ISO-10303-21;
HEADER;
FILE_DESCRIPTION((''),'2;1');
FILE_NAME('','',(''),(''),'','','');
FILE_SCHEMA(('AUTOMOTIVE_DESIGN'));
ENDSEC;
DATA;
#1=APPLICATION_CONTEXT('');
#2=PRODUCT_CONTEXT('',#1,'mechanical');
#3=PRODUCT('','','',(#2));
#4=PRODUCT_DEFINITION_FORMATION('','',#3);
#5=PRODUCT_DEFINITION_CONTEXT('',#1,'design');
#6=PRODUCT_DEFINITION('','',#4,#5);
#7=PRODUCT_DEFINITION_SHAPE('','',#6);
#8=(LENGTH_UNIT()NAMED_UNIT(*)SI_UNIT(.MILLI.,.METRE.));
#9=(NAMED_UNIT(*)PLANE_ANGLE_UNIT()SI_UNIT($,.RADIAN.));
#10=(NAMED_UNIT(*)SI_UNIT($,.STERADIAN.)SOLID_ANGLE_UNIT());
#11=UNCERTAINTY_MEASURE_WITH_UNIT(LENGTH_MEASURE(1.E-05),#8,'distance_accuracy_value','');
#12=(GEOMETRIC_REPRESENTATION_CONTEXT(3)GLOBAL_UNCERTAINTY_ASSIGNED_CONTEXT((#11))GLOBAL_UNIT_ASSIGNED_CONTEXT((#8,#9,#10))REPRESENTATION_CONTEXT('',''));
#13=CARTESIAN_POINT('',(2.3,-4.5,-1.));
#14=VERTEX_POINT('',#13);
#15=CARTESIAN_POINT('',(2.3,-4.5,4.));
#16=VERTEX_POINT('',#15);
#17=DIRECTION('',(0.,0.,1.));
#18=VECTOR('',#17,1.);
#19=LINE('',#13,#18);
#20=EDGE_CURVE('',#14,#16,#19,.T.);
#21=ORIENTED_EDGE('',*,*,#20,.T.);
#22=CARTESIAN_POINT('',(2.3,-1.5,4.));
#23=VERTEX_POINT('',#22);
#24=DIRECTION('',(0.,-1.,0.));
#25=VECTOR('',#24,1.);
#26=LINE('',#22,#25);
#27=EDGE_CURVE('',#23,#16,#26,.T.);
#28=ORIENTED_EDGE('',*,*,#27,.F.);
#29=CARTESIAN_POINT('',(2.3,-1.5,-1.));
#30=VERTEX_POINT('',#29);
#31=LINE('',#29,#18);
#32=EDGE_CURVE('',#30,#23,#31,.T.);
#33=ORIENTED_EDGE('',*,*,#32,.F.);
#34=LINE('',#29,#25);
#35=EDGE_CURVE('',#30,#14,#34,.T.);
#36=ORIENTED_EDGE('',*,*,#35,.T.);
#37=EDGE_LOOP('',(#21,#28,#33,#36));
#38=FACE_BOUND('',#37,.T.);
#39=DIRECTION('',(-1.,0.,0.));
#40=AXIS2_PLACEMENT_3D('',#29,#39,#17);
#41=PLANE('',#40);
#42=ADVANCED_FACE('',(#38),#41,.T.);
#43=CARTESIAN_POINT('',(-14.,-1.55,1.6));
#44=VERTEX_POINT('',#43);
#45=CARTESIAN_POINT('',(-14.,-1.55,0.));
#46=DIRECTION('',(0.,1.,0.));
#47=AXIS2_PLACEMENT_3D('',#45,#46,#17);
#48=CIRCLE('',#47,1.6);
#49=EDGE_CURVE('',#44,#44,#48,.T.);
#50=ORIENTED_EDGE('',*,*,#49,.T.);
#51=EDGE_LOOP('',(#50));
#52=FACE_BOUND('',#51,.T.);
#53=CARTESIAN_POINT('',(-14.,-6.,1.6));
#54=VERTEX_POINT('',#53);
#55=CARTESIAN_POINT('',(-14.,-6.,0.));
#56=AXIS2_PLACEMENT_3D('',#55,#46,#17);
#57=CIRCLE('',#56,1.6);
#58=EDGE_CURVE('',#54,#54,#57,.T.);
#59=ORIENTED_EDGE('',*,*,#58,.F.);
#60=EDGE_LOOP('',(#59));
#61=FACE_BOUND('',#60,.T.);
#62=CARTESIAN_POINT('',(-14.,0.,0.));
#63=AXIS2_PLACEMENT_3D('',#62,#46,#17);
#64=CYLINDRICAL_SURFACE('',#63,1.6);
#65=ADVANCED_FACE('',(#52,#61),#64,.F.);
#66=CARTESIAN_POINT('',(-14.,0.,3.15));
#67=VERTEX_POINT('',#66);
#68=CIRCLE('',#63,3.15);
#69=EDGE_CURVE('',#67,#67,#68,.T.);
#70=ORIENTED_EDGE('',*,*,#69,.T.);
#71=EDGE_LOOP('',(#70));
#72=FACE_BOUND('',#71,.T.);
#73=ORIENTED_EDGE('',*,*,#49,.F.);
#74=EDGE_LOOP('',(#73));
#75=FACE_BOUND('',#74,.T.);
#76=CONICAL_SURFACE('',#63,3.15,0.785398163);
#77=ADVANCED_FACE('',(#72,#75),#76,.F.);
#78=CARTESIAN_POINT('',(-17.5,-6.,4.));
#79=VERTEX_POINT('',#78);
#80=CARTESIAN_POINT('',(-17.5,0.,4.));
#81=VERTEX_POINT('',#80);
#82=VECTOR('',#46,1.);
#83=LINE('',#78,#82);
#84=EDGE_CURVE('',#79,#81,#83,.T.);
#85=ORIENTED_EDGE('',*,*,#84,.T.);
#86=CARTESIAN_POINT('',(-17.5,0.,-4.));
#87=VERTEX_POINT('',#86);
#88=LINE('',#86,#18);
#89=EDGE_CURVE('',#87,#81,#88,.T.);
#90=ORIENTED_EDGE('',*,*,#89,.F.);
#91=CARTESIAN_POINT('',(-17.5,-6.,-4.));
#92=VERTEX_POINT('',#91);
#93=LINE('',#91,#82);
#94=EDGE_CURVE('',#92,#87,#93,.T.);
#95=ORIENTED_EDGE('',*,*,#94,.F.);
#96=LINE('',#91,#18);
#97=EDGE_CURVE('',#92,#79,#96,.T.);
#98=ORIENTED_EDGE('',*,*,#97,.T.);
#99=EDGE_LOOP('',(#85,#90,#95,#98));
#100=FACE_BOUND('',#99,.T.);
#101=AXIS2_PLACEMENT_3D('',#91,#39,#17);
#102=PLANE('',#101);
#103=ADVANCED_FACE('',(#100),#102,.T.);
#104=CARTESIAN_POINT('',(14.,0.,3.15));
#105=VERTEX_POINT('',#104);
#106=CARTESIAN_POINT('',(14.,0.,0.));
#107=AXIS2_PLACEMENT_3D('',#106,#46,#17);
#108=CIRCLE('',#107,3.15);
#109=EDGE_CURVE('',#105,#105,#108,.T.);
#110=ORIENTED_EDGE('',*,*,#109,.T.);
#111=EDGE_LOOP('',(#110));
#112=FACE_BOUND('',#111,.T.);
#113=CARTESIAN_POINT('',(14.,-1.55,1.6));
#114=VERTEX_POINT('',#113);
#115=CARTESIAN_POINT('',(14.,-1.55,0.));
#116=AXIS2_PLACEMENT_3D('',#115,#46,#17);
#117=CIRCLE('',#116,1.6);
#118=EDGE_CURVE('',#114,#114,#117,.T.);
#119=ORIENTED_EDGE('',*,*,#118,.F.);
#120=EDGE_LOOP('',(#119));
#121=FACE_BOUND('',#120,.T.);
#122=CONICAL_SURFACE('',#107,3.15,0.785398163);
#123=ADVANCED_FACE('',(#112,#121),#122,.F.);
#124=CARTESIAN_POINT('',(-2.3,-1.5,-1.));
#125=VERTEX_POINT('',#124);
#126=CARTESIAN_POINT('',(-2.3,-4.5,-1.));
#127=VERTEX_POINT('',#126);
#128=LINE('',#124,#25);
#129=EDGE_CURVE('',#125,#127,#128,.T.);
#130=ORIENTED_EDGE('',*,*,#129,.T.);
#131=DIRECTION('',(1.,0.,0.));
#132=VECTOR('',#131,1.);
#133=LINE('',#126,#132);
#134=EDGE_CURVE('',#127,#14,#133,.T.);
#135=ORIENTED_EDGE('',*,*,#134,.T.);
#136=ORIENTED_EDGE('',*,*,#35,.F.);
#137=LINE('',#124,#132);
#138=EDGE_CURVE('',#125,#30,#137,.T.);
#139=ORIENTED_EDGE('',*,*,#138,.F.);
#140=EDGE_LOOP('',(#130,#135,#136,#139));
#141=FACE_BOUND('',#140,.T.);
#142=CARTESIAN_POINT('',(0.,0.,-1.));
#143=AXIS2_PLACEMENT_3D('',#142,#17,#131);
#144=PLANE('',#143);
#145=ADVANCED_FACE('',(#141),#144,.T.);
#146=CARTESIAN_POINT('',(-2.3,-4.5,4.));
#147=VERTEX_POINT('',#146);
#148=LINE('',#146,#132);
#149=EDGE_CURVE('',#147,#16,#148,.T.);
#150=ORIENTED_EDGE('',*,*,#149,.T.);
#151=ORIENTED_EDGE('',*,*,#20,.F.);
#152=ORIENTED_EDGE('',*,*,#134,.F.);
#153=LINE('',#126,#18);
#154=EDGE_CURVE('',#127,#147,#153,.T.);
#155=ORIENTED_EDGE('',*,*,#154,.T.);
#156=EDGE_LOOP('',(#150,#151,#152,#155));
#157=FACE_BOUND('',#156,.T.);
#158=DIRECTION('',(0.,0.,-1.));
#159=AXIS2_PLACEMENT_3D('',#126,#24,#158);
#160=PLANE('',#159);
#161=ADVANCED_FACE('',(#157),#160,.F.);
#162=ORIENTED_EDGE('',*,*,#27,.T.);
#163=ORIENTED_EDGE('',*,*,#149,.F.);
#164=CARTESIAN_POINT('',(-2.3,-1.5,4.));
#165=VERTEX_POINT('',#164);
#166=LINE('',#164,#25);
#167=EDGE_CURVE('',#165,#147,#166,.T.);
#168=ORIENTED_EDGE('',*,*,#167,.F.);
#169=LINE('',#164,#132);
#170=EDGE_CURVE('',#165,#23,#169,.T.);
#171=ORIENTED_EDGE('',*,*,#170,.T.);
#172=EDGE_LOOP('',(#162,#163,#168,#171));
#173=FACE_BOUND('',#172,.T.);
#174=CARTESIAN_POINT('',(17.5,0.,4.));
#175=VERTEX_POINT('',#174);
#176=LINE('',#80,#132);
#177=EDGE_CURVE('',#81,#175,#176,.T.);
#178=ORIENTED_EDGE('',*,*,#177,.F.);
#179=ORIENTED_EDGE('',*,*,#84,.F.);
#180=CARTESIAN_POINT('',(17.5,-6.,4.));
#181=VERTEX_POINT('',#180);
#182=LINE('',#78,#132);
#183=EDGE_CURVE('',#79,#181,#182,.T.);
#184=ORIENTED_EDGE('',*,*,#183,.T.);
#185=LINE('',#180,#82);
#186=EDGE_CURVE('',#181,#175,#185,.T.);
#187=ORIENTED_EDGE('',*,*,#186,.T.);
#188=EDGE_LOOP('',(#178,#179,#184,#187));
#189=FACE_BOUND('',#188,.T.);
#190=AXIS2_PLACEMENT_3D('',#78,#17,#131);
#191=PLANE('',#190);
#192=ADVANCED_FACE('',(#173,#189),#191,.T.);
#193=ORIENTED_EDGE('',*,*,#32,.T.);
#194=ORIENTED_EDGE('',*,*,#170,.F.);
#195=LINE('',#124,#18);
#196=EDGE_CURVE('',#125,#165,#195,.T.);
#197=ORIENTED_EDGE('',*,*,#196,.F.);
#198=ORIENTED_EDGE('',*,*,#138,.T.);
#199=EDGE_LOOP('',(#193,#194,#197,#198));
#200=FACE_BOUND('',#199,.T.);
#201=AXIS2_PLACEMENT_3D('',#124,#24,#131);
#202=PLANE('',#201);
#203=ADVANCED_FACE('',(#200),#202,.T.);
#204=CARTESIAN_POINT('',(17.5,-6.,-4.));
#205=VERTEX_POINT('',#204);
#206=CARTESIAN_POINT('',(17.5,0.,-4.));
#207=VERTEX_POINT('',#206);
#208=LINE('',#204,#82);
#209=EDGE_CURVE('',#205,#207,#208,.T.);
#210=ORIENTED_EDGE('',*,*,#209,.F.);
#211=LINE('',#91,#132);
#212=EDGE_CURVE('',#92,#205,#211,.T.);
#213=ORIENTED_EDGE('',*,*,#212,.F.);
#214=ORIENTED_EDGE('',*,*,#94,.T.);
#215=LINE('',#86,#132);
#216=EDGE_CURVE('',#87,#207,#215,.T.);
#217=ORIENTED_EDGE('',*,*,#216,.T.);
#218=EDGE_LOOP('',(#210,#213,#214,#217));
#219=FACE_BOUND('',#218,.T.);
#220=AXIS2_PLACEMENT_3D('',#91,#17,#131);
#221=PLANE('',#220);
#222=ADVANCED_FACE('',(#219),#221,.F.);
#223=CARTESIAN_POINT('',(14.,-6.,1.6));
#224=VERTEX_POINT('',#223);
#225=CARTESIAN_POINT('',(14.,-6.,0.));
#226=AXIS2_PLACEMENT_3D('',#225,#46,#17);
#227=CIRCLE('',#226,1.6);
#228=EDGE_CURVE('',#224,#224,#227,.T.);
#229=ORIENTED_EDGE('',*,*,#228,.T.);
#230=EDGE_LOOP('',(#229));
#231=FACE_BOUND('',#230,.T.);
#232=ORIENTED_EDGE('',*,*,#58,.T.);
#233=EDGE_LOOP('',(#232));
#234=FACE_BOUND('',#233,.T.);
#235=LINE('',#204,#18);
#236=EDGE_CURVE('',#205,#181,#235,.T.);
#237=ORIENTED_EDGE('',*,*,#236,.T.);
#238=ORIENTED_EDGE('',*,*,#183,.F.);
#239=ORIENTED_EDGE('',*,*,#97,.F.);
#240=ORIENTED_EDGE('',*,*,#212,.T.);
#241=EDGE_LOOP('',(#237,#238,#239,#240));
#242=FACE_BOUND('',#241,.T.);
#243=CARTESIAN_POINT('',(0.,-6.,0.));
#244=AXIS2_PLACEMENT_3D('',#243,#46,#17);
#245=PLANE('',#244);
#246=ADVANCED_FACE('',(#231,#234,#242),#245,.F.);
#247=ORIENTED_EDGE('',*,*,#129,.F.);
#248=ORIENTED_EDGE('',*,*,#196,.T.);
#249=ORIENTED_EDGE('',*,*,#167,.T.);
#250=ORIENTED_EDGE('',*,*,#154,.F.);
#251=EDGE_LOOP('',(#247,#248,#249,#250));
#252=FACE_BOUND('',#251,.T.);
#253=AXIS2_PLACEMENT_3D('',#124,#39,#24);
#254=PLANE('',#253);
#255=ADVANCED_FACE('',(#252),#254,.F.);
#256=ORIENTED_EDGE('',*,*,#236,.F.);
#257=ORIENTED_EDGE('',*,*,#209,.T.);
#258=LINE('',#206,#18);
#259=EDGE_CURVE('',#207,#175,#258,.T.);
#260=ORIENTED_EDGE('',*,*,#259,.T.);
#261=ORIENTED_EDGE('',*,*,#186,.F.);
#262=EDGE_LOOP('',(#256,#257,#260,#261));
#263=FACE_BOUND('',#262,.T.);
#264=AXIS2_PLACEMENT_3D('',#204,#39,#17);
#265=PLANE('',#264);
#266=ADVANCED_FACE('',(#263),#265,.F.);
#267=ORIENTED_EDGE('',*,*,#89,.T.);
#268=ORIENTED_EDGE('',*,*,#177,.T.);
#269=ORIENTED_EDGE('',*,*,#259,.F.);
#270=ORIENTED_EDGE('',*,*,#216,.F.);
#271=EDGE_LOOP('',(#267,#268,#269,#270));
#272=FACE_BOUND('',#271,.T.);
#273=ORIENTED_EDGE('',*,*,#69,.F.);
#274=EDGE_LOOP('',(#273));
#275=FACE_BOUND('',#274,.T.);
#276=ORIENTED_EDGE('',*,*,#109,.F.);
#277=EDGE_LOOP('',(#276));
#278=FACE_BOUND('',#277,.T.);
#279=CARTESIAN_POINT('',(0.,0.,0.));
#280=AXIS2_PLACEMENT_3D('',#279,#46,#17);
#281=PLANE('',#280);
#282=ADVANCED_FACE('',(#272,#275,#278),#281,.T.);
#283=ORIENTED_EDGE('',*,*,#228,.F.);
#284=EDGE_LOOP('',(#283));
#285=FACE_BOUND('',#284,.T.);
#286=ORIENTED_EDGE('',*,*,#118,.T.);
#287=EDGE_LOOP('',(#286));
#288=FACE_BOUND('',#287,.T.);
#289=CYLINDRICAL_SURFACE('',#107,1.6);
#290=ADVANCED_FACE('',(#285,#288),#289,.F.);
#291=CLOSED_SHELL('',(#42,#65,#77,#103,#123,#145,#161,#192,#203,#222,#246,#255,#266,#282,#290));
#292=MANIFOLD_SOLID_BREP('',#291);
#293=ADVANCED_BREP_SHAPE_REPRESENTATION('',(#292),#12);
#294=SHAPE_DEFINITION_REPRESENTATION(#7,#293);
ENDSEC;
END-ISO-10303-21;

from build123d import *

# Parameters (mm, degrees)
SKETCH1_W                                       = 35
SKETCH1_H                                       = 8
BOSS_EXTRUDE1_DEPTH                             = 6
SKETCH2_W                                       = 4.6
SKETCH2_H                                       = 3
CUT_EXTRUDE1_DEPTH                              = 5
CSK_FOR_M3_FLAT_HEAD_MACHINE_SCREW1_D           = 3.2
CSK_FOR_M3_FLAT_HEAD_MACHINE_SCREW1_CSINK_D     = 6.3
CSK_FOR_M3_FLAT_HEAD_MACHINE_SCREW1_CSINK_ANGLE = 90


with BuildPart() as part:
    # Sketch1 → Boss-Extrude1 (new body)
    with BuildSketch(Plane(origin=(0, 0, 0), x_dir=(1, 0, 0), z_dir=(0, 1, 0))):
        Rectangle(SKETCH1_W, SKETCH1_H)
    extrude(amount=-BOSS_EXTRUDE1_DEPTH)

    # Sketch2 → Cut-Extrude1 (cut)
    with BuildSketch(Plane.XY.offset(4)):
        with Locations((0, -3)):
            Rectangle(SKETCH2_W, SKETCH2_H)
    extrude(amount=-CUT_EXTRUDE1_DEPTH, mode=Mode.SUBTRACT)

    # CSK for M3 Flat Head Machine Screw1 (through all)
    with Locations(Plane(origin=(-14, 0, 0), x_dir=(0, 0, 1), z_dir=(0, 1, 0))):
        with Locations((0, 0), (0, 28)):
            CounterSinkHole(CSK_FOR_M3_FLAT_HEAD_MACHINE_SCREW1_D / 2, CSK_FOR_M3_FLAT_HEAD_MACHINE_SCREW1_CSINK_D / 2, counter_sink_angle=CSK_FOR_M3_FLAT_HEAD_MACHINE_SCREW1_CSINK_ANGLE)


solid = part.part
